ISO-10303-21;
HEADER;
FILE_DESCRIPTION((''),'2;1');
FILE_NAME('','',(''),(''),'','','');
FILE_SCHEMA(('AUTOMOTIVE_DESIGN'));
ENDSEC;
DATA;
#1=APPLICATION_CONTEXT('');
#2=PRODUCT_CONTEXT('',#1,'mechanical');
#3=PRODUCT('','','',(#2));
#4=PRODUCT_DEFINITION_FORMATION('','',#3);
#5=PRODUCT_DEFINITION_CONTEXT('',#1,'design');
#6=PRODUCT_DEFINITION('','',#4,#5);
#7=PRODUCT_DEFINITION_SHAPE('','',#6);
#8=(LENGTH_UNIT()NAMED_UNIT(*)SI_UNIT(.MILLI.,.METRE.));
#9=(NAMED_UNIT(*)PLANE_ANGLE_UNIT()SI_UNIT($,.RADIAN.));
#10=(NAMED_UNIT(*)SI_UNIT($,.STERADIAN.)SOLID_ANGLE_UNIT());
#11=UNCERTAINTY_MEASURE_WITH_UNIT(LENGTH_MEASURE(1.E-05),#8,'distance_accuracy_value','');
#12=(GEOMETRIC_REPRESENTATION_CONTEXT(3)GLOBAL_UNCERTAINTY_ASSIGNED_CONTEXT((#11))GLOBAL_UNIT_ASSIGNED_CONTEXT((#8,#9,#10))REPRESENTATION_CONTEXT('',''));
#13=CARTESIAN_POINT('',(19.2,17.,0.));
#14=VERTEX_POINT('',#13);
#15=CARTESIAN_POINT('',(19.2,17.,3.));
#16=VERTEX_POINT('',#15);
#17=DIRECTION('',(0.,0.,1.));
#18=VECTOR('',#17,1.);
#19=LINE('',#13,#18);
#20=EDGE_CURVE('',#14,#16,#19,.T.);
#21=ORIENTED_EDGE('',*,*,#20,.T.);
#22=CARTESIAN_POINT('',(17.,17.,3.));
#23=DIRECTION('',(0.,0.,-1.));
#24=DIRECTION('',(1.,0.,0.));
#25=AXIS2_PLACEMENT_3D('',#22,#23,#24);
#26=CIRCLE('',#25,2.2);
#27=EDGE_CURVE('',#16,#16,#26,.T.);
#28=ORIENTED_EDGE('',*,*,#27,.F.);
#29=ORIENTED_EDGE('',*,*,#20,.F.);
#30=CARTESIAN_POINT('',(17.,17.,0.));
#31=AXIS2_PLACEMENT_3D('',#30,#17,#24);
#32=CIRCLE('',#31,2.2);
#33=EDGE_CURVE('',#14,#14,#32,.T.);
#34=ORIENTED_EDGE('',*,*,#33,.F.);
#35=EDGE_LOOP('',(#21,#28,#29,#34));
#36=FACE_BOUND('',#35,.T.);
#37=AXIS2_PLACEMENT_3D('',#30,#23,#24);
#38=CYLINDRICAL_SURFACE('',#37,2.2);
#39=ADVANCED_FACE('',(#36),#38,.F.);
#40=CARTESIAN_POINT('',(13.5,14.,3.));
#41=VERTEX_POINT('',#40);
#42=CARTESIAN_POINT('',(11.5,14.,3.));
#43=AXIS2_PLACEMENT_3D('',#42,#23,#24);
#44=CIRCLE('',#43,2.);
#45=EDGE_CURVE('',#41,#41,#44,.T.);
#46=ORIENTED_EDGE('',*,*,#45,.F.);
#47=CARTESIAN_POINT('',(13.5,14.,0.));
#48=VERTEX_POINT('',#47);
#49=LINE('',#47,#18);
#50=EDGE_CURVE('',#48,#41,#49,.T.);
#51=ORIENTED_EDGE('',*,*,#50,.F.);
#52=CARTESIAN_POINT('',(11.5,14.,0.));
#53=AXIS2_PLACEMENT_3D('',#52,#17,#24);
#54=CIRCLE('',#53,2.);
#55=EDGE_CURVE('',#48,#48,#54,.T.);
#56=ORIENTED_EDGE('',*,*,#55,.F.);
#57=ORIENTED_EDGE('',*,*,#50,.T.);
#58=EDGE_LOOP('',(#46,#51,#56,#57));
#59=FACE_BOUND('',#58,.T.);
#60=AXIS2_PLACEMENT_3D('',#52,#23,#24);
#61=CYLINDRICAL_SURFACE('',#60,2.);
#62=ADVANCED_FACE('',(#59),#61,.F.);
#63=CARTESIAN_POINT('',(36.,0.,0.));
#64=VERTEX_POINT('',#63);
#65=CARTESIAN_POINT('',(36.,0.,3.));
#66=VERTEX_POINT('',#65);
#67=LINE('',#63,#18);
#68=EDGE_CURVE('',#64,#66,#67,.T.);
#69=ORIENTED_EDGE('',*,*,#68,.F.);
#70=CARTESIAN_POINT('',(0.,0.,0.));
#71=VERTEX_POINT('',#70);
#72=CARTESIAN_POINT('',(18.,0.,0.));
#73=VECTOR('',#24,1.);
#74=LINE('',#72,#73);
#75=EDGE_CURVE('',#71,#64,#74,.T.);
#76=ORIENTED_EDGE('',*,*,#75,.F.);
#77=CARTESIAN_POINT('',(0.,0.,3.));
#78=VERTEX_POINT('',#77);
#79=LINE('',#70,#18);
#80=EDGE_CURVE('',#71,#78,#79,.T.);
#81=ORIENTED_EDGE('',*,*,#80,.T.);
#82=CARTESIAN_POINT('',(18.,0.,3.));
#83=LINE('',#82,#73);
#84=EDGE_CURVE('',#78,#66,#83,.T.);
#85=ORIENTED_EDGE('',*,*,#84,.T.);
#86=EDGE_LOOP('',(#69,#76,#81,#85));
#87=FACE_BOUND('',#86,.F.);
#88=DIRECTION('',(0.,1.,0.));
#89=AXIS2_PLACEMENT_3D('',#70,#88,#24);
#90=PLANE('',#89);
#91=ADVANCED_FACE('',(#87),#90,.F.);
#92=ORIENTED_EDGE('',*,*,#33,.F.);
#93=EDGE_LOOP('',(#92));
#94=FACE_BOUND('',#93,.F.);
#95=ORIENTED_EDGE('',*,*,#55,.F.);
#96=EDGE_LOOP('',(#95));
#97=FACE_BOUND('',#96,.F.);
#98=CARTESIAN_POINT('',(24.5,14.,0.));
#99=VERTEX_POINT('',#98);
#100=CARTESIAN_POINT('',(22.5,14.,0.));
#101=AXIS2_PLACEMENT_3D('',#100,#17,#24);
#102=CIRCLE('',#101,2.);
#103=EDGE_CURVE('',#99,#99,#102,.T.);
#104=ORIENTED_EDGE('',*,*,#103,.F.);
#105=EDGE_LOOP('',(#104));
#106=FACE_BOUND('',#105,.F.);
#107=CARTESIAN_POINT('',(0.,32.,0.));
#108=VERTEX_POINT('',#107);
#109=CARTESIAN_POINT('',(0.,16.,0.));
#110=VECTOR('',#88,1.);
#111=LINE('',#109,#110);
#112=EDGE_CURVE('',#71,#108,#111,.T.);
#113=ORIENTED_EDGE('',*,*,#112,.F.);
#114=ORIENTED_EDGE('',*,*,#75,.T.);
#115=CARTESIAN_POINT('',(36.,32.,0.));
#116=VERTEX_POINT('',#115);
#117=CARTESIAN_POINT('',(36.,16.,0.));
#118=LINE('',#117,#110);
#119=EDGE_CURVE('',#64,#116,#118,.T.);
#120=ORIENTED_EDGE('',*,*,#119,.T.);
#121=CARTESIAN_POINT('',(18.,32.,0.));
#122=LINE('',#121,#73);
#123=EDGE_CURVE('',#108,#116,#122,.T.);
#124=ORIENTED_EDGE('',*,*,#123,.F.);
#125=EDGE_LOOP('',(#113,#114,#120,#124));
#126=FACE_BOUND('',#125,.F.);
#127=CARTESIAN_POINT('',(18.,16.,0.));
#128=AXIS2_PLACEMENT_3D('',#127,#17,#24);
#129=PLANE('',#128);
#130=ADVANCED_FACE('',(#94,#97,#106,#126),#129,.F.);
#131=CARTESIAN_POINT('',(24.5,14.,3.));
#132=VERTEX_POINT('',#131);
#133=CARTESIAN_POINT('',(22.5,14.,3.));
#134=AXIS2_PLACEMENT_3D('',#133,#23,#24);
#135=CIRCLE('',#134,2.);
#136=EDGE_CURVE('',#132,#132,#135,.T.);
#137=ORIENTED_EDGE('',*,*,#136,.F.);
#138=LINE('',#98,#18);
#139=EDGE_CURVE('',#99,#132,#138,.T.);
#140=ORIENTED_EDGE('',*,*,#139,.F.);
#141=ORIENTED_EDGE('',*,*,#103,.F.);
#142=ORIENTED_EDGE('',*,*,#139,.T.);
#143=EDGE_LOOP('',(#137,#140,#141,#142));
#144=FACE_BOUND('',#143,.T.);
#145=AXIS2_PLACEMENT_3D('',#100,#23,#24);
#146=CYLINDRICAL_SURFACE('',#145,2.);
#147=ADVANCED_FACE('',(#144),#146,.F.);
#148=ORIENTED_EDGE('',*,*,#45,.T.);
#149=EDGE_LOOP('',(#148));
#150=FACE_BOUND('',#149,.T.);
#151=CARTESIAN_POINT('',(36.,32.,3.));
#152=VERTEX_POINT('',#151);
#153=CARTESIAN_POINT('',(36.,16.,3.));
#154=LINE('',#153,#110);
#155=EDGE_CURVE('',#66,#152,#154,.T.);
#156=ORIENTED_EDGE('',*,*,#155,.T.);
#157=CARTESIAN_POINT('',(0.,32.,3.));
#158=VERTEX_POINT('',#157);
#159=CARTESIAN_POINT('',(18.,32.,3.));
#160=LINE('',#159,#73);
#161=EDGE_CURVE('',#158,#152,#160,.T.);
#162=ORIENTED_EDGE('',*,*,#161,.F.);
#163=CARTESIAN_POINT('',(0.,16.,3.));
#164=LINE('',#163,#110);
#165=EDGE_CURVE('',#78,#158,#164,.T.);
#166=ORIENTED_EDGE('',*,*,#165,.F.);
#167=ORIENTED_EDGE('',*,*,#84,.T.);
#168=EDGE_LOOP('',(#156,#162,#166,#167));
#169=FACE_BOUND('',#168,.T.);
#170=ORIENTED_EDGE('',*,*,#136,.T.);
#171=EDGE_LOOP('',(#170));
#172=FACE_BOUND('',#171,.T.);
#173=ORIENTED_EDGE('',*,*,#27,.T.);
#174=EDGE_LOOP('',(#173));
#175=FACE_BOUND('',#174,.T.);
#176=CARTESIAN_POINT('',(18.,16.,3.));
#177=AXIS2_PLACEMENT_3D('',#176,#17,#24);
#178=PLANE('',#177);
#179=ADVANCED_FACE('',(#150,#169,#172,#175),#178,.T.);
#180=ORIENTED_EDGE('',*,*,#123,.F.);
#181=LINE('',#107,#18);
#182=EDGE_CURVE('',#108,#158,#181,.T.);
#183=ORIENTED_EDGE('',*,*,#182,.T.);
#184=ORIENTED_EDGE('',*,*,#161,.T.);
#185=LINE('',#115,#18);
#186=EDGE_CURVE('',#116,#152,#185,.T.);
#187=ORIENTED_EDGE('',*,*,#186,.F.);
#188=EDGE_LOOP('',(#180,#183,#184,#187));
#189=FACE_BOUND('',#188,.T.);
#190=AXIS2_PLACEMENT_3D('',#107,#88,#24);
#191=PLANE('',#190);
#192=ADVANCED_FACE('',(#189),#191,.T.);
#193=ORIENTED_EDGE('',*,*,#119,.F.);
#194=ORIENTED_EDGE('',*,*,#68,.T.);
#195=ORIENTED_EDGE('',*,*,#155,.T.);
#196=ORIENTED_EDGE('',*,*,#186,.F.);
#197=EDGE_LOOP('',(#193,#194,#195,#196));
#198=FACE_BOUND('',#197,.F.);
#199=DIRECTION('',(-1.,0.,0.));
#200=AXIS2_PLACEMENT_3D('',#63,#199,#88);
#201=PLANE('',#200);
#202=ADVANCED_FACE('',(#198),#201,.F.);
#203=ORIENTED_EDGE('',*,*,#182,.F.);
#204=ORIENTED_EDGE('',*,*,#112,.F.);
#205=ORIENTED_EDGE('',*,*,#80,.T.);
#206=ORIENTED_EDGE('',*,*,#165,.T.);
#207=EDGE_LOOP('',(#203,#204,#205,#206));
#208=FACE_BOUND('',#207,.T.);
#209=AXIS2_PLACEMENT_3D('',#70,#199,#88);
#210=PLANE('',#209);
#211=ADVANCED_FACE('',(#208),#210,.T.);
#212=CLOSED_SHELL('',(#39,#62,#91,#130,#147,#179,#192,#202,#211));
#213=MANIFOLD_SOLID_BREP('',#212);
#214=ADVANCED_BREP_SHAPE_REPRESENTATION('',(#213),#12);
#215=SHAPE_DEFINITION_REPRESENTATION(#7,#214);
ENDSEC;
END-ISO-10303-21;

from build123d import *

# Parameters (mm, degrees)
CYLINDER008_R     = 2.2
CYLINDER008_DEPTH = 10
CYLINDER007_R     = 2
CYLINDER007_DEPTH = 10
CYLINDER006_R     = 2
CYLINDER006_DEPTH = 10
BOX004_W          = 36
BOX004_H          = 32
BOX004_DEPTH      = 3


with BuildPart() as cylinder008:
    # Cylinder008 → Cylinder008 (new body)
    with BuildSketch(Plane(origin=(17, 17, 0), x_dir=(1, 0, 0), z_dir=(0, 0, 1))):
        Circle(CYLINDER008_R)
    extrude(amount=CYLINDER008_DEPTH)


with BuildPart() as cylinder007:
    # Cylinder007 → Cylinder007 (new body)
    with BuildSketch(Plane(origin=(22.5, 14, 0), x_dir=(1, 0, 0), z_dir=(0, 0, 1))):
        Circle(CYLINDER007_R)
    extrude(amount=CYLINDER007_DEPTH)


with BuildPart() as cylinder006:
    # Cylinder006 → Cylinder006 (new body)
    with BuildSketch(Plane(origin=(11.5, 14, 0), x_dir=(1, 0, 0), z_dir=(0, 0, 1))):
        Circle(CYLINDER006_R)
    extrude(amount=CYLINDER006_DEPTH)


with BuildPart() as manual_valve_plate:
    # Box004 → Box004 (new body)
    with BuildSketch(Plane.XY):
        with Locations((18, 16)):
            Rectangle(BOX004_W, BOX004_H)
    extrude(amount=BOX004_DEPTH)

    # Cut: cut Cylinder006
    add(cylinder006.part, mode=Mode.SUBTRACT)

    # Cut007: cut Cylinder007
    add(cylinder007.part, mode=Mode.SUBTRACT)

    # Cut008: cut Cylinder008
    add(cylinder008.part, mode=Mode.SUBTRACT)


solid = manual_valve_plate.part
